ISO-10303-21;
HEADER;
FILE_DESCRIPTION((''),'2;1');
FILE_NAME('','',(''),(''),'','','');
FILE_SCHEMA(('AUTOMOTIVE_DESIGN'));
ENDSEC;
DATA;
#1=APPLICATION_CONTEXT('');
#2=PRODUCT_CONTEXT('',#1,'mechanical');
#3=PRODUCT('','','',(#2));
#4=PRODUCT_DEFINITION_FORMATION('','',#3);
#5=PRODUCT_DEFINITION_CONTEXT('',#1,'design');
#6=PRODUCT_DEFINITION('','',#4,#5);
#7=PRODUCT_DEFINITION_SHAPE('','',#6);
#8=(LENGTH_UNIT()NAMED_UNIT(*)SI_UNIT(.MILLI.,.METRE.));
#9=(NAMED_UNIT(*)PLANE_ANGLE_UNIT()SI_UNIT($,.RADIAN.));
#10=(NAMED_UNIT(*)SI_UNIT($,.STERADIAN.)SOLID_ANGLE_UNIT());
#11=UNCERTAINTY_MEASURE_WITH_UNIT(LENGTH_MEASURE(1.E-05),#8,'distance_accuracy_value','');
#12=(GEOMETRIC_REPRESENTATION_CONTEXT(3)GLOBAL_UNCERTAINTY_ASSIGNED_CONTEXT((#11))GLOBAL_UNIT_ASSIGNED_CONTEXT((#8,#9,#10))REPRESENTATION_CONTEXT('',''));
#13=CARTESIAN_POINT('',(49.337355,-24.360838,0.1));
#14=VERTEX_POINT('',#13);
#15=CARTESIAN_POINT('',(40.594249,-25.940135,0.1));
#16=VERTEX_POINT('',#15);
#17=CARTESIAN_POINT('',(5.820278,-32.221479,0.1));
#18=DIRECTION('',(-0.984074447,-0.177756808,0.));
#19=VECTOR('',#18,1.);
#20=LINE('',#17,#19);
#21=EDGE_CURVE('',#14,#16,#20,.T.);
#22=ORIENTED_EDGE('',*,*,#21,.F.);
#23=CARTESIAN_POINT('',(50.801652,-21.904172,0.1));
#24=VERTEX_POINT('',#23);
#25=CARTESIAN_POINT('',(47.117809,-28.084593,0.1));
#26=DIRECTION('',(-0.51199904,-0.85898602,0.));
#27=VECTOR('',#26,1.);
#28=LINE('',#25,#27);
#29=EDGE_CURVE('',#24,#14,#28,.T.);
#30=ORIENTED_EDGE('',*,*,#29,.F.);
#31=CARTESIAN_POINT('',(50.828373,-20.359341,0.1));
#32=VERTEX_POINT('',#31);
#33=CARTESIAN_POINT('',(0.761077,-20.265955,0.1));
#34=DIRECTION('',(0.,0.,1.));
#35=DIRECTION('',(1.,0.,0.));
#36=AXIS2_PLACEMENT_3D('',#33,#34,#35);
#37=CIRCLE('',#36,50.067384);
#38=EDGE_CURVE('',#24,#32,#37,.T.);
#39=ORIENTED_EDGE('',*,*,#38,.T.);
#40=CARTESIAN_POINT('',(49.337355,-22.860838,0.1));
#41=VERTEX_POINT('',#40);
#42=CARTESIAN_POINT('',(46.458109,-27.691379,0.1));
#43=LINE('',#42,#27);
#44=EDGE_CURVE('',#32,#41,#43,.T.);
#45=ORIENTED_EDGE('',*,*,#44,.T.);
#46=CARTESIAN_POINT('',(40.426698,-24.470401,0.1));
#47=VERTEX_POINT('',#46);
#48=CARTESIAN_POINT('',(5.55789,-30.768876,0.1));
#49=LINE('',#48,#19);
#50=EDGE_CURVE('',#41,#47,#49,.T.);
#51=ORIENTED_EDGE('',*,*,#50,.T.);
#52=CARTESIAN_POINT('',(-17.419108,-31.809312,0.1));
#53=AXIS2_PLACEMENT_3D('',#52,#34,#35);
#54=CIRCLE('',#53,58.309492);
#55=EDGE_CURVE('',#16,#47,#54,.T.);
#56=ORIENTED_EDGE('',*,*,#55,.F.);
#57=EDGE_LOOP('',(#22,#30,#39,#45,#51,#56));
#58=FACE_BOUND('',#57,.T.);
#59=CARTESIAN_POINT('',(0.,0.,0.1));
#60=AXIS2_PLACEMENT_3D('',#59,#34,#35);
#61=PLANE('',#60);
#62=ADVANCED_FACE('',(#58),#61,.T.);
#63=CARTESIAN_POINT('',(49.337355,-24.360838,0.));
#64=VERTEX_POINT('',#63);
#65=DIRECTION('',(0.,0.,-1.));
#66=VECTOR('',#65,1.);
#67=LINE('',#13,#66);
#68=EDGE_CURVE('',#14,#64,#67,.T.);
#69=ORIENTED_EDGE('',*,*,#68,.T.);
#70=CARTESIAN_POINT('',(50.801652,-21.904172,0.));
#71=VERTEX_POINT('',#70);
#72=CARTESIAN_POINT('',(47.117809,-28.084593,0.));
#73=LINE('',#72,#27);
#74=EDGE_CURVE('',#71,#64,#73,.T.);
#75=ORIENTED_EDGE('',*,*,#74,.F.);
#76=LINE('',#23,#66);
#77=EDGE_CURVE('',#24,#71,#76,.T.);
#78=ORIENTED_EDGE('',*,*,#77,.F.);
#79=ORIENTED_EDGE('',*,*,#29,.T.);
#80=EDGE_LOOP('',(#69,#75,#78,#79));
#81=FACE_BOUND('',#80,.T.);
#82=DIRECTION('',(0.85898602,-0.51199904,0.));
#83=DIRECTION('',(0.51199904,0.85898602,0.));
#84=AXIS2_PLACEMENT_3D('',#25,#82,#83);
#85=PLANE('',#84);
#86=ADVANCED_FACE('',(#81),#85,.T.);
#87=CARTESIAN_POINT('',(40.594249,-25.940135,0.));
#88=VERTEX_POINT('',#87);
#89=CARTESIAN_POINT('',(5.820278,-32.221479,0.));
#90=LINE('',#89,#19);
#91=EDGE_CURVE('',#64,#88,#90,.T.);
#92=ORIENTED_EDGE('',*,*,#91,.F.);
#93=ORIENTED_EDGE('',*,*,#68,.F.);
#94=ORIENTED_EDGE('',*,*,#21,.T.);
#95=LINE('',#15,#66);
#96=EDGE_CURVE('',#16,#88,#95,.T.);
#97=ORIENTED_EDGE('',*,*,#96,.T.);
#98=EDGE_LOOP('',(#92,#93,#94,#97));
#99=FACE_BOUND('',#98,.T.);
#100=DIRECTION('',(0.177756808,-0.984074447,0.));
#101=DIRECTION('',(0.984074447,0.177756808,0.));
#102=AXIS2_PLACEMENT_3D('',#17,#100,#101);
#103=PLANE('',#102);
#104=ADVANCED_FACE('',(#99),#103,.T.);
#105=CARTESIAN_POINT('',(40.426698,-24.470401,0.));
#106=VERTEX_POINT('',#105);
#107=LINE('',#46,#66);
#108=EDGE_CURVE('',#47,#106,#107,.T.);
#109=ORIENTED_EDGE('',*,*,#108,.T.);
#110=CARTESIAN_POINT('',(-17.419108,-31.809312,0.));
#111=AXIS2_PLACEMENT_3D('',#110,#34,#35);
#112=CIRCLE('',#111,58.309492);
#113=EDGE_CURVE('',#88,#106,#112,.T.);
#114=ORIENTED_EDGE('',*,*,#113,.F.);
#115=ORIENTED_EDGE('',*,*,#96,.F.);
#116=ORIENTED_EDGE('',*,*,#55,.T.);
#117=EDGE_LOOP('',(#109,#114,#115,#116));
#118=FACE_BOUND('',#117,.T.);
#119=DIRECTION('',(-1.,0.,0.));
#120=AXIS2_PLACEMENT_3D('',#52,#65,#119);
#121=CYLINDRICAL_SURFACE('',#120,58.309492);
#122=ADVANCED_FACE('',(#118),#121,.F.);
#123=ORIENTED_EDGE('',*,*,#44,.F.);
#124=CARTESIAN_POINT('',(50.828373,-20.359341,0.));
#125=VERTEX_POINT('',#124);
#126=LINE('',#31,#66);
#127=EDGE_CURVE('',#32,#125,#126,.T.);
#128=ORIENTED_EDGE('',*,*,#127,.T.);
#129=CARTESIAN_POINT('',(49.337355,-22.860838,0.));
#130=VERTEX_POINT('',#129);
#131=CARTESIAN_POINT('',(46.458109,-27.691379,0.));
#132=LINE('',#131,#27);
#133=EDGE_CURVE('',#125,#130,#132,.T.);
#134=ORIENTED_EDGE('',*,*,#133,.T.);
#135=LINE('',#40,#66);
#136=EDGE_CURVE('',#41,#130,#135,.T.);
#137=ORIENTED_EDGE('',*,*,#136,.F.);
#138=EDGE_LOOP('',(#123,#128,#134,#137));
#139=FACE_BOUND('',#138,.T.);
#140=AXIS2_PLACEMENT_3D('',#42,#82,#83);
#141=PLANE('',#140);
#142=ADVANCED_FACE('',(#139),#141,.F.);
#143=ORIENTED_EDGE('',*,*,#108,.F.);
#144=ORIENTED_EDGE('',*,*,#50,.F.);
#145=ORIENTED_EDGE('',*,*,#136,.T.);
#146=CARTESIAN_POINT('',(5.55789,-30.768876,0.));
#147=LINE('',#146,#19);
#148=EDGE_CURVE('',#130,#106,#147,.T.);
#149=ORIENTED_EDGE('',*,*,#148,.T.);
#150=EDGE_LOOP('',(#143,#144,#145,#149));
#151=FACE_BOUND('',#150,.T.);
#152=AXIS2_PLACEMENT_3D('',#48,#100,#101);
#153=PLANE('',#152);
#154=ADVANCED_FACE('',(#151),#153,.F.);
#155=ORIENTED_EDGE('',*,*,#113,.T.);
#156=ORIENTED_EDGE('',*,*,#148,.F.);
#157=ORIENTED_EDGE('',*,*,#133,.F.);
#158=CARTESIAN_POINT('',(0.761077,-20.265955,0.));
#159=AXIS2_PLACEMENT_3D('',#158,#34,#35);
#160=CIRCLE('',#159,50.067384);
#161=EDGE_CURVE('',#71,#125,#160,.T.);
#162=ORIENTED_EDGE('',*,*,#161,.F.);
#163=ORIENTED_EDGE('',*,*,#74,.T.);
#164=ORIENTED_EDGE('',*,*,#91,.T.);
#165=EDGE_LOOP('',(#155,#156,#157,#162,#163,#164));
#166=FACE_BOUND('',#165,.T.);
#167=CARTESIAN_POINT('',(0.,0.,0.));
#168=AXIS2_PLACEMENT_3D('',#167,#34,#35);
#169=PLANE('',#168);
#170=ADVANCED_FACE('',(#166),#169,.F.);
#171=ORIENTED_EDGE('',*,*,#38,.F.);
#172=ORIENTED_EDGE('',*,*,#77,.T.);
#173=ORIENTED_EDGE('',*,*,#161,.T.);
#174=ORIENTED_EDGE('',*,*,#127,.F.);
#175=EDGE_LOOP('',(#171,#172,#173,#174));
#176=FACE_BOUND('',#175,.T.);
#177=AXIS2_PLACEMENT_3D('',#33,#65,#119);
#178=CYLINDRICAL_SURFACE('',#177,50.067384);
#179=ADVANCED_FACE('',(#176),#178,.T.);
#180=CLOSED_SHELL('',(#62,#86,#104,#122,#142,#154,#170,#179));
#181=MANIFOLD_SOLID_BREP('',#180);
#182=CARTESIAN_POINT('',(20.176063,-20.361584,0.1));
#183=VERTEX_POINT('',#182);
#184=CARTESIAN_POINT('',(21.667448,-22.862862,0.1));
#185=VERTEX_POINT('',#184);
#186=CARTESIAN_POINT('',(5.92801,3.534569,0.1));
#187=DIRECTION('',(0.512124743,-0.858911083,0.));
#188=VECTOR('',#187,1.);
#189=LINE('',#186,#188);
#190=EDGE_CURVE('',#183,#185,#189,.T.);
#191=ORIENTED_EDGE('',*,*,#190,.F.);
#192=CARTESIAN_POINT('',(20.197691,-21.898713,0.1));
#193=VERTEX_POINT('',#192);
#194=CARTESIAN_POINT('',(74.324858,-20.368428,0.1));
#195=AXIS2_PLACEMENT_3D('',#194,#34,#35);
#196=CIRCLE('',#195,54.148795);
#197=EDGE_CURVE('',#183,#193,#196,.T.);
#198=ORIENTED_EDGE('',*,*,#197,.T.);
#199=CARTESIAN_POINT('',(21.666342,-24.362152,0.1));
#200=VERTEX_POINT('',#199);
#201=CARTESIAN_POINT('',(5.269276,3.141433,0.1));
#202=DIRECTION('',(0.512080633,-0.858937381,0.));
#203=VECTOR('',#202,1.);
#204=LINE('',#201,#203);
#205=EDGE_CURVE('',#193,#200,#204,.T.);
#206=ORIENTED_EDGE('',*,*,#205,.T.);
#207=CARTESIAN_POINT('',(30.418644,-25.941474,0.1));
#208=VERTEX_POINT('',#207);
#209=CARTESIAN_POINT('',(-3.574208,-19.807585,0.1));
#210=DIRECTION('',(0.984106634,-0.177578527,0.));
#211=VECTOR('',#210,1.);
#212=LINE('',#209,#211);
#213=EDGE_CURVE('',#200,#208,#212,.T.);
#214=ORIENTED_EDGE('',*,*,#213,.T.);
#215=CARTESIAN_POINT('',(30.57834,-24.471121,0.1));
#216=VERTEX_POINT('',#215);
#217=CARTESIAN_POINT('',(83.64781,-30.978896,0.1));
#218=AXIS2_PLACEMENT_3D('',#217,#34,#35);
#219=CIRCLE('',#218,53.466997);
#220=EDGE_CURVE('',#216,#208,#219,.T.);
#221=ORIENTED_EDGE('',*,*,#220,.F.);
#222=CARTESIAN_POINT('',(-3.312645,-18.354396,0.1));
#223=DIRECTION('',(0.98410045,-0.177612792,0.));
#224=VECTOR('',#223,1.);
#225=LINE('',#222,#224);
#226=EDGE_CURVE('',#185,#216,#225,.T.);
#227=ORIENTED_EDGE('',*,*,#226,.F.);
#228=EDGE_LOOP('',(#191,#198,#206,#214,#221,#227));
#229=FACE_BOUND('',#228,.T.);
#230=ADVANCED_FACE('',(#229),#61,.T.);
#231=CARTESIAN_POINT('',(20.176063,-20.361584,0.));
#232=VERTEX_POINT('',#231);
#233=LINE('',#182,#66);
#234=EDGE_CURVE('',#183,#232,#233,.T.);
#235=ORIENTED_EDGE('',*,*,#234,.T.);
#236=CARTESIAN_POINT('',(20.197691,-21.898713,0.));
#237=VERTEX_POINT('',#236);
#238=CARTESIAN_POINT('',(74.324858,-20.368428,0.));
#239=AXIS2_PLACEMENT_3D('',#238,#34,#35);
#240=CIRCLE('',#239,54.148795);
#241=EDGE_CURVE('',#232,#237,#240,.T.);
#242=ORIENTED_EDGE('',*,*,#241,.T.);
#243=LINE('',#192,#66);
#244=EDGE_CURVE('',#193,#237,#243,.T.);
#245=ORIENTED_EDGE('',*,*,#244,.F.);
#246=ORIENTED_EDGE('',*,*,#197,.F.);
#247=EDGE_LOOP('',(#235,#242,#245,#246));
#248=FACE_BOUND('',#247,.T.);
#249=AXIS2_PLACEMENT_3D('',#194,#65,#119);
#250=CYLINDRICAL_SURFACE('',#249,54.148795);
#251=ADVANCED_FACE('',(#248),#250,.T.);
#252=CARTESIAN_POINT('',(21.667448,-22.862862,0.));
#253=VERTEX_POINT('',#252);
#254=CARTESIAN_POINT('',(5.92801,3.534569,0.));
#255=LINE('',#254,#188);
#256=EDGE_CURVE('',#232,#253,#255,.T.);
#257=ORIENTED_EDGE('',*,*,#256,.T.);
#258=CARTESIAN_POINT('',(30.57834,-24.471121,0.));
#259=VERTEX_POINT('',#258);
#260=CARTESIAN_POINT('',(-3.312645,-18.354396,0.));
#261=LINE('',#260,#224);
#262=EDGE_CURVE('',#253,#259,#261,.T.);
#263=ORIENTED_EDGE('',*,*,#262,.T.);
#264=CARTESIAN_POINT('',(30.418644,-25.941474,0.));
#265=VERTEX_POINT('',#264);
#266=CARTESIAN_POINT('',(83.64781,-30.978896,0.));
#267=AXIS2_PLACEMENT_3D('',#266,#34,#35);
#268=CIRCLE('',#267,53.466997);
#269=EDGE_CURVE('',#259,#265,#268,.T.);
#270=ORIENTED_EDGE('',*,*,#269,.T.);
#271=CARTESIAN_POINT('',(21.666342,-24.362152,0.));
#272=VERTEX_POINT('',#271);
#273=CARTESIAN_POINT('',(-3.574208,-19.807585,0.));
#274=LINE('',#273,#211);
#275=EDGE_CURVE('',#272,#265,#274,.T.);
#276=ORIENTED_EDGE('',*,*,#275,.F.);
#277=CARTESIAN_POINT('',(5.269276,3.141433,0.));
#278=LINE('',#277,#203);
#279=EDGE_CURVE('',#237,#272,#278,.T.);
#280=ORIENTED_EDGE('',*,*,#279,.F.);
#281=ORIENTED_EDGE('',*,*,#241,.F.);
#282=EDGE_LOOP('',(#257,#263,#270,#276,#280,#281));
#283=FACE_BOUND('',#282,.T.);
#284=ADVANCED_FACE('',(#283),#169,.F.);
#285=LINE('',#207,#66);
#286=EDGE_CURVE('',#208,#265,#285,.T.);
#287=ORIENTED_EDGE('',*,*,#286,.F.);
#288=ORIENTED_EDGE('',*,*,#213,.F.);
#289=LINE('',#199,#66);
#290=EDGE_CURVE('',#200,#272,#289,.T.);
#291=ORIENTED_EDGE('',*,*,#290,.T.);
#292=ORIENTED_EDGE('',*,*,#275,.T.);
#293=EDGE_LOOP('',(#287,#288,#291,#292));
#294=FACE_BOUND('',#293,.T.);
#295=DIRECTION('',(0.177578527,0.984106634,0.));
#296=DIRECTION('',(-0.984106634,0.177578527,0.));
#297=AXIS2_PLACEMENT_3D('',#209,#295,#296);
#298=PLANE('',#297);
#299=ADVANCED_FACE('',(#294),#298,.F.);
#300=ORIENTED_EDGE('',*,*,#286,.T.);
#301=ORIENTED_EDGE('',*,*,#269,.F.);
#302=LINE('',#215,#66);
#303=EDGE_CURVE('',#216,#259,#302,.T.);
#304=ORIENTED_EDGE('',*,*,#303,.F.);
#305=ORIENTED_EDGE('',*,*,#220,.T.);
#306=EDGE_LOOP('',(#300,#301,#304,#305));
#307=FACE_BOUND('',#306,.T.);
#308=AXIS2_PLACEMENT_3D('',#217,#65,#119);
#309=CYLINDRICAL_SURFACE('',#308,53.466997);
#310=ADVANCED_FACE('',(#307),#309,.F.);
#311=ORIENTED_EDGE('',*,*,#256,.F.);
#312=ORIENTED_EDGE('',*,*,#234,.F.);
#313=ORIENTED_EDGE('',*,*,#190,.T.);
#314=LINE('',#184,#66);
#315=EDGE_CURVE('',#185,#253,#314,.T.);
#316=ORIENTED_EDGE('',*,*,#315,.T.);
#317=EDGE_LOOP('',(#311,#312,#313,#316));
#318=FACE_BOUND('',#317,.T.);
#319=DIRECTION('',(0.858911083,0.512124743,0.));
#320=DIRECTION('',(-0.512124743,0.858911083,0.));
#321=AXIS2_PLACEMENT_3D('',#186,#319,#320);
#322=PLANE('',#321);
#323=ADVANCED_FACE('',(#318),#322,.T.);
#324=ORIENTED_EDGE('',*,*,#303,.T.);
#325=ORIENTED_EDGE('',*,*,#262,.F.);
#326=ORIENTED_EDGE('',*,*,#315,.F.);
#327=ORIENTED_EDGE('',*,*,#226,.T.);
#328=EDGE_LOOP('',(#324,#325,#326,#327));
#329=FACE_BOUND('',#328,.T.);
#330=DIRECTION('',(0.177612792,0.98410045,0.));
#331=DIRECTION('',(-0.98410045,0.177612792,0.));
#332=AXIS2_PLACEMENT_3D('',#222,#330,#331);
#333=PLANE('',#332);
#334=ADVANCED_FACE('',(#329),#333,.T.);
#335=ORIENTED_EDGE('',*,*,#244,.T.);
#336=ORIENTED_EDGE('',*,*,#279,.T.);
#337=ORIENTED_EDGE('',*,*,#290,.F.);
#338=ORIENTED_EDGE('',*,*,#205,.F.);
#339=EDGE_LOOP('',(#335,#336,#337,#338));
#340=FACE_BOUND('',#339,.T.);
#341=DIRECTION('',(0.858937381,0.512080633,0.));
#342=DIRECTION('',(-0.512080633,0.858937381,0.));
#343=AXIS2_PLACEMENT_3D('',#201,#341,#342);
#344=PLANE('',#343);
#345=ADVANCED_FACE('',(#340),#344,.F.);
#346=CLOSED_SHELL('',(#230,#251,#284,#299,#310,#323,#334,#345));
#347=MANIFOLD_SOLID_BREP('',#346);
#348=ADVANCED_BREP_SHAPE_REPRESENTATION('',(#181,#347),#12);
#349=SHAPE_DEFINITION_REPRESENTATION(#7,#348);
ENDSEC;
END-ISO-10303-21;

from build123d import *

# Parameters (mm, degrees)
SALIENTE_EXTRUIR1_DEPTH   = 0.1
SALIENTE_EXTRUIR1_2_DEPTH = 0.1


with BuildPart() as part:
    # Model → Saliente-Extruir1 (new body)
    with BuildSketch(Plane.XY):
        with BuildLine():
            ThreePointArc((30.578340462, -24.471121474), (30.493407947, -25.205745326), (30.418644104, -25.941473607))
            Line((30.418644104, -25.941473607), (21.66634164, -24.362151891))
            Line((21.66634164, -24.362151891), (20.197690678, -21.898713264))
            ThreePointArc((20.197690678, -21.898713264), (20.181421827, -21.130225351), (20.176063282, -20.36158393))
            Line((20.176063282, -20.36158393), (21.667447642, -22.862862326))
            Line((21.667447642, -22.862862326), (30.578340462, -24.471121474))
        make_face()
    extrude(amount=SALIENTE_EXTRUIR1_DEPTH)


with BuildPart() as body_2:
    # Model → Saliente-Extruir1 2 (new body)
    with BuildSketch(Plane.XY):
        with BuildLine():
            Line((49.337355198, -24.360837656), (50.80165197, -21.904172006))
            ThreePointArc((50.80165197, -21.904172006), (50.820972205, -21.131859602), (50.828373494, -20.359341031))
            Line((50.828373494, -20.359341031), (49.337355198, -22.860837656))
            Line((49.337355198, -22.860837656), (40.426697834, -24.470400847))
            ThreePointArc((40.426697834, -24.470400847), (40.51513452, -25.204736786), (40.594249402, -25.940135422))
            Line((40.594249402, -25.940135422), (49.337355198, -24.360837656))
        make_face()
    extrude(amount=SALIENTE_EXTRUIR1_2_DEPTH)


solid = Compound([part.part, body_2.part])
